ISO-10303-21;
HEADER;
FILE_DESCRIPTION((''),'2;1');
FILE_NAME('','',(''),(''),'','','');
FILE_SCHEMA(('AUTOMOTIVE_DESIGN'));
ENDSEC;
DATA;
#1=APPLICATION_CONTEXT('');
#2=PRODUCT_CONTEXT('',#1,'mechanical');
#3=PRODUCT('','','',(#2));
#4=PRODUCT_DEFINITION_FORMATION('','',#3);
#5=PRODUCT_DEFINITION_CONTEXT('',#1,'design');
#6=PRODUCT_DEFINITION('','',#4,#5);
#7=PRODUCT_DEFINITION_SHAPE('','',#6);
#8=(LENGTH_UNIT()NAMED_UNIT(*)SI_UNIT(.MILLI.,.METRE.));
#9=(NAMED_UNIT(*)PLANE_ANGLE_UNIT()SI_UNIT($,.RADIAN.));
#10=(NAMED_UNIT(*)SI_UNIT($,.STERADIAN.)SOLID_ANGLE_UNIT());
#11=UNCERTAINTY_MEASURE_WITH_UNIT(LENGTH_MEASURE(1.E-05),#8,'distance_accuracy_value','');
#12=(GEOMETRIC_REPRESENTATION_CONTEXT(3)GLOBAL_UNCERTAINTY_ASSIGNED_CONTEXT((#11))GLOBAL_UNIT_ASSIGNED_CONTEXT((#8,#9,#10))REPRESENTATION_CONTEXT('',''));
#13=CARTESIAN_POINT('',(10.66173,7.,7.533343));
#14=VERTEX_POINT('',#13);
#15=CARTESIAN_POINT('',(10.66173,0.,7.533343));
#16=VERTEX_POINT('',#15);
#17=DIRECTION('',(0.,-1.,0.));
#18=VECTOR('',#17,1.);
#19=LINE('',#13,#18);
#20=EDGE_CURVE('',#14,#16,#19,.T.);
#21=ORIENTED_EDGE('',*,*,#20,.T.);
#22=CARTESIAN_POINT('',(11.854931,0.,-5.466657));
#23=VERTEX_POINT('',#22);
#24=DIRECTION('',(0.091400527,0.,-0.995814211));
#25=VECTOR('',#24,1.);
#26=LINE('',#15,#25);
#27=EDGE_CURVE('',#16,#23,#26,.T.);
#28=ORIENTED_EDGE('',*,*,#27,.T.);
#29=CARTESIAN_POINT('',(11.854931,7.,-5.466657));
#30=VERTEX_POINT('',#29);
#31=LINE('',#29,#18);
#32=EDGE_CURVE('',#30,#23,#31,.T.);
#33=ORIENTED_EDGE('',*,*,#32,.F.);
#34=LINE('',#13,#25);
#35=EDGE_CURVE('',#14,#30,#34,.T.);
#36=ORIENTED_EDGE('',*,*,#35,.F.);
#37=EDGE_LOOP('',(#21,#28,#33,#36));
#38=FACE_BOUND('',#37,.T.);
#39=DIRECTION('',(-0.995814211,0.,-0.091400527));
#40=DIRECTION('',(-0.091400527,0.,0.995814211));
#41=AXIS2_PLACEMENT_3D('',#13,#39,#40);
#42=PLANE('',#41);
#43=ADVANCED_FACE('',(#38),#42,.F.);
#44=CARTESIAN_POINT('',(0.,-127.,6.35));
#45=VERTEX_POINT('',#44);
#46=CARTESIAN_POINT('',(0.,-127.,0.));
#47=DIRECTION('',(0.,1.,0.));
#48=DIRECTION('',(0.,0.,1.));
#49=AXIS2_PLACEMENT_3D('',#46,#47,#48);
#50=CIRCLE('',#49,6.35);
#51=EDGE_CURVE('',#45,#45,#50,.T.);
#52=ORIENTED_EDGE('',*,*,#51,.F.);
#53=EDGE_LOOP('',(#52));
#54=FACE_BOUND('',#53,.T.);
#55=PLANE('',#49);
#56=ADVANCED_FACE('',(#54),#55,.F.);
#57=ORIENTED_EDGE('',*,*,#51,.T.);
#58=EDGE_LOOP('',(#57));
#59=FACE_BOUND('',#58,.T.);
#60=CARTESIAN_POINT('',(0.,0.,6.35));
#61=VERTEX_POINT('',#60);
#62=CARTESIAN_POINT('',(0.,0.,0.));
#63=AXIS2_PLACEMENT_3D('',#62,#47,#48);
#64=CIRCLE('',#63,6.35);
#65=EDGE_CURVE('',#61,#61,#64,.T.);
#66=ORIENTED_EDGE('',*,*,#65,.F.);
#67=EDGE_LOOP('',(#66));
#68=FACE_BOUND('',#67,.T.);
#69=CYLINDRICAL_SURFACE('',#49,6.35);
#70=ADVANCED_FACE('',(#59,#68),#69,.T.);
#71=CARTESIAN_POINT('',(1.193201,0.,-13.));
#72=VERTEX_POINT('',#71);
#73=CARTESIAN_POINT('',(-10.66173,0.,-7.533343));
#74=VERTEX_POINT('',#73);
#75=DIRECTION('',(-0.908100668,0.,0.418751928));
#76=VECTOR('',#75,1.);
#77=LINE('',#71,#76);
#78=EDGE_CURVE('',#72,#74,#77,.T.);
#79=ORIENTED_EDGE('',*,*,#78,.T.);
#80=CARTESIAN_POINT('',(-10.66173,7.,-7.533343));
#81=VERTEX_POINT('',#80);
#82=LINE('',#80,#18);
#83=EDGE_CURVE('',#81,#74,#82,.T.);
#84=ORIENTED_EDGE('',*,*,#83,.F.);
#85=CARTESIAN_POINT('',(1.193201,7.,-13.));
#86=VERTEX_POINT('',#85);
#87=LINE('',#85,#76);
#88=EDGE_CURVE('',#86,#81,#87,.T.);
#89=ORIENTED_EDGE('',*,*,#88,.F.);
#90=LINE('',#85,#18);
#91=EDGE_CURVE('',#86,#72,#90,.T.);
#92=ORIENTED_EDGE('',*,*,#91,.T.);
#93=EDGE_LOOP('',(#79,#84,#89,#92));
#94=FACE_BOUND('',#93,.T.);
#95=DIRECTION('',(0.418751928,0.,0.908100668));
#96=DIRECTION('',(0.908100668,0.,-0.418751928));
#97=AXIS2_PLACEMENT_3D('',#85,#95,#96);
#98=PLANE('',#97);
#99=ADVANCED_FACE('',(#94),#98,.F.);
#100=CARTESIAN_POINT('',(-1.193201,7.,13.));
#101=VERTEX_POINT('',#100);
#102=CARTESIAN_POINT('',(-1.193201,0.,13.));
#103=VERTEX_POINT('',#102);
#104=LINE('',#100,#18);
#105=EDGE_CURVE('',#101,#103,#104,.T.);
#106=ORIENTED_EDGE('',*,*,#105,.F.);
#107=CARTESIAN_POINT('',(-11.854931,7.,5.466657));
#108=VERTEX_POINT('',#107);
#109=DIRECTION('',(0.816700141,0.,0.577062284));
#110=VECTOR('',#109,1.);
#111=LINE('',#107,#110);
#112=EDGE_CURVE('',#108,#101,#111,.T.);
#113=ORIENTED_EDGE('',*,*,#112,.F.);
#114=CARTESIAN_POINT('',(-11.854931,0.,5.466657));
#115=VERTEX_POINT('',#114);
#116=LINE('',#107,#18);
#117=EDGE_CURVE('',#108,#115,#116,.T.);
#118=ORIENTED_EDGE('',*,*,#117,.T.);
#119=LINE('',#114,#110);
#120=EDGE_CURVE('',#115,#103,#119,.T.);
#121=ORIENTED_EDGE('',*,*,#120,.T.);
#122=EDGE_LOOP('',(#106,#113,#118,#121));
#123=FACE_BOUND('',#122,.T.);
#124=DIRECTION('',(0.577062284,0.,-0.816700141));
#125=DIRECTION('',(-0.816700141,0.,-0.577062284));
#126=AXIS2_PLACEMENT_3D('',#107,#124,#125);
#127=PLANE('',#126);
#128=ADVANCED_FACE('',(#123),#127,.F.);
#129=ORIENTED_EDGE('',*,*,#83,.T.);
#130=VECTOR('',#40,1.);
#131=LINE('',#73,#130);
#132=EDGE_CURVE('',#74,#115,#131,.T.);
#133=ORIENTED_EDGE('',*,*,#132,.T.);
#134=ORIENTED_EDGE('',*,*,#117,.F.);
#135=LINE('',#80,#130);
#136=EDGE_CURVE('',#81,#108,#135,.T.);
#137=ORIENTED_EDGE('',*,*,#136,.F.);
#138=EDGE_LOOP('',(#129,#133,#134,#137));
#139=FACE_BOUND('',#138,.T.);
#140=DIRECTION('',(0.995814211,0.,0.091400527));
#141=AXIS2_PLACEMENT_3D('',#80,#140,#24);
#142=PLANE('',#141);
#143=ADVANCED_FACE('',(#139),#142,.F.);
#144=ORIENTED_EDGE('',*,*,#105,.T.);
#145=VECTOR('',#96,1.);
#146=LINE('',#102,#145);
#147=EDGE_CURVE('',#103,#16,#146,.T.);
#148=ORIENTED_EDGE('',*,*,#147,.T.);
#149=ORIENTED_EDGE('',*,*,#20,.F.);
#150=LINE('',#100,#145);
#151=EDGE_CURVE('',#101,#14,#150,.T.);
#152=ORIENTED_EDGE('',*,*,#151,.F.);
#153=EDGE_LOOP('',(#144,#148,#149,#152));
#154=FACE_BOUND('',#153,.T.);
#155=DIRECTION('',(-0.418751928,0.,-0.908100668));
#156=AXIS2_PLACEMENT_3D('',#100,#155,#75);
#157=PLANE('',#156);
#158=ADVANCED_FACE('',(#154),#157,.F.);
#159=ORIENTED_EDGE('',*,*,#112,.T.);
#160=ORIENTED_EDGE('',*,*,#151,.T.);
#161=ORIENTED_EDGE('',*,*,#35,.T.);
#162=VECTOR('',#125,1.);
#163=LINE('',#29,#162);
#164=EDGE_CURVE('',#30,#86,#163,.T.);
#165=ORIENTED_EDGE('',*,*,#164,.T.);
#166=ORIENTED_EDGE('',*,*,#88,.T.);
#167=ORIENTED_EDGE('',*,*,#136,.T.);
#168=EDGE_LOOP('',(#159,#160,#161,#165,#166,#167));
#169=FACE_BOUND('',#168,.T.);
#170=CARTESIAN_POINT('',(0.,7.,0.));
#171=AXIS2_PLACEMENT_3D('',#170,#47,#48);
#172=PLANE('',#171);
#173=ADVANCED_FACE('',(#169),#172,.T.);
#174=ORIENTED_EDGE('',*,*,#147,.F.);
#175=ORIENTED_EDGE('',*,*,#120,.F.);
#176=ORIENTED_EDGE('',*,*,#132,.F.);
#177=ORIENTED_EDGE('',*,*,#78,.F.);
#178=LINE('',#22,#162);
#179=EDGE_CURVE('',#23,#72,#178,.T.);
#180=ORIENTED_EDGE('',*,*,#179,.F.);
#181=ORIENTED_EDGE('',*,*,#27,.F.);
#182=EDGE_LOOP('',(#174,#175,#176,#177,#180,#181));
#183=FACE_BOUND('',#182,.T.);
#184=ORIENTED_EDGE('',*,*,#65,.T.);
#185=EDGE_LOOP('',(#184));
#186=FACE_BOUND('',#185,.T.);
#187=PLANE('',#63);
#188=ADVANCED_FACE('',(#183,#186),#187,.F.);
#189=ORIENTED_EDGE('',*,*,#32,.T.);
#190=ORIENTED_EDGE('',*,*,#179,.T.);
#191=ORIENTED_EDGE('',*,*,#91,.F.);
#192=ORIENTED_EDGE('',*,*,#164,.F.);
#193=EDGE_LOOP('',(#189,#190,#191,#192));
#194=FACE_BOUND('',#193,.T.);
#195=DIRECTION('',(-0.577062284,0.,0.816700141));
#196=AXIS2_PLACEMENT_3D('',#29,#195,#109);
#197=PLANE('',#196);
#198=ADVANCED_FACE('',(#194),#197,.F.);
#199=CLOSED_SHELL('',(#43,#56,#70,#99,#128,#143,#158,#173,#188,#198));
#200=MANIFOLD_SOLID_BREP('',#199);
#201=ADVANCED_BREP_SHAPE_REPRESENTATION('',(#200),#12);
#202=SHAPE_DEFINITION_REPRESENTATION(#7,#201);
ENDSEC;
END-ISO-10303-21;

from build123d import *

# Parameters (mm, degrees)
SKETCH2_R           = 6.35
BOSS_EXTRUDE1_DEPTH = 127
BOSS_EXTRUDE2_DEPTH = 7


with BuildPart() as part:
    # Sketch2 → Boss-Extrude1 (new body)
    with BuildSketch(Plane(origin=(0, 0, 0), x_dir=(1, 0, 0), z_dir=(0, 1, 0))):
        with Locations(Location((0, 0, 0), (0, 0, 270))):
            Circle(SKETCH2_R)
    extrude(amount=-BOSS_EXTRUDE1_DEPTH)

    # Sketch3 → Boss-Extrude2 (add)
    with BuildSketch(Plane(origin=(0, 0, 0), x_dir=(1, 0, 0), z_dir=(0, 1, 0))):
        Polygon((10.661729582, -7.533342667), (11.854930916, 5.466657333), (1.193201334, 13), (-10.661729582, 7.533342667), (-11.854930916, -5.466657333), (-1.193201334, -13), align=None)
    extrude(amount=BOSS_EXTRUDE2_DEPTH)


solid = part.part
